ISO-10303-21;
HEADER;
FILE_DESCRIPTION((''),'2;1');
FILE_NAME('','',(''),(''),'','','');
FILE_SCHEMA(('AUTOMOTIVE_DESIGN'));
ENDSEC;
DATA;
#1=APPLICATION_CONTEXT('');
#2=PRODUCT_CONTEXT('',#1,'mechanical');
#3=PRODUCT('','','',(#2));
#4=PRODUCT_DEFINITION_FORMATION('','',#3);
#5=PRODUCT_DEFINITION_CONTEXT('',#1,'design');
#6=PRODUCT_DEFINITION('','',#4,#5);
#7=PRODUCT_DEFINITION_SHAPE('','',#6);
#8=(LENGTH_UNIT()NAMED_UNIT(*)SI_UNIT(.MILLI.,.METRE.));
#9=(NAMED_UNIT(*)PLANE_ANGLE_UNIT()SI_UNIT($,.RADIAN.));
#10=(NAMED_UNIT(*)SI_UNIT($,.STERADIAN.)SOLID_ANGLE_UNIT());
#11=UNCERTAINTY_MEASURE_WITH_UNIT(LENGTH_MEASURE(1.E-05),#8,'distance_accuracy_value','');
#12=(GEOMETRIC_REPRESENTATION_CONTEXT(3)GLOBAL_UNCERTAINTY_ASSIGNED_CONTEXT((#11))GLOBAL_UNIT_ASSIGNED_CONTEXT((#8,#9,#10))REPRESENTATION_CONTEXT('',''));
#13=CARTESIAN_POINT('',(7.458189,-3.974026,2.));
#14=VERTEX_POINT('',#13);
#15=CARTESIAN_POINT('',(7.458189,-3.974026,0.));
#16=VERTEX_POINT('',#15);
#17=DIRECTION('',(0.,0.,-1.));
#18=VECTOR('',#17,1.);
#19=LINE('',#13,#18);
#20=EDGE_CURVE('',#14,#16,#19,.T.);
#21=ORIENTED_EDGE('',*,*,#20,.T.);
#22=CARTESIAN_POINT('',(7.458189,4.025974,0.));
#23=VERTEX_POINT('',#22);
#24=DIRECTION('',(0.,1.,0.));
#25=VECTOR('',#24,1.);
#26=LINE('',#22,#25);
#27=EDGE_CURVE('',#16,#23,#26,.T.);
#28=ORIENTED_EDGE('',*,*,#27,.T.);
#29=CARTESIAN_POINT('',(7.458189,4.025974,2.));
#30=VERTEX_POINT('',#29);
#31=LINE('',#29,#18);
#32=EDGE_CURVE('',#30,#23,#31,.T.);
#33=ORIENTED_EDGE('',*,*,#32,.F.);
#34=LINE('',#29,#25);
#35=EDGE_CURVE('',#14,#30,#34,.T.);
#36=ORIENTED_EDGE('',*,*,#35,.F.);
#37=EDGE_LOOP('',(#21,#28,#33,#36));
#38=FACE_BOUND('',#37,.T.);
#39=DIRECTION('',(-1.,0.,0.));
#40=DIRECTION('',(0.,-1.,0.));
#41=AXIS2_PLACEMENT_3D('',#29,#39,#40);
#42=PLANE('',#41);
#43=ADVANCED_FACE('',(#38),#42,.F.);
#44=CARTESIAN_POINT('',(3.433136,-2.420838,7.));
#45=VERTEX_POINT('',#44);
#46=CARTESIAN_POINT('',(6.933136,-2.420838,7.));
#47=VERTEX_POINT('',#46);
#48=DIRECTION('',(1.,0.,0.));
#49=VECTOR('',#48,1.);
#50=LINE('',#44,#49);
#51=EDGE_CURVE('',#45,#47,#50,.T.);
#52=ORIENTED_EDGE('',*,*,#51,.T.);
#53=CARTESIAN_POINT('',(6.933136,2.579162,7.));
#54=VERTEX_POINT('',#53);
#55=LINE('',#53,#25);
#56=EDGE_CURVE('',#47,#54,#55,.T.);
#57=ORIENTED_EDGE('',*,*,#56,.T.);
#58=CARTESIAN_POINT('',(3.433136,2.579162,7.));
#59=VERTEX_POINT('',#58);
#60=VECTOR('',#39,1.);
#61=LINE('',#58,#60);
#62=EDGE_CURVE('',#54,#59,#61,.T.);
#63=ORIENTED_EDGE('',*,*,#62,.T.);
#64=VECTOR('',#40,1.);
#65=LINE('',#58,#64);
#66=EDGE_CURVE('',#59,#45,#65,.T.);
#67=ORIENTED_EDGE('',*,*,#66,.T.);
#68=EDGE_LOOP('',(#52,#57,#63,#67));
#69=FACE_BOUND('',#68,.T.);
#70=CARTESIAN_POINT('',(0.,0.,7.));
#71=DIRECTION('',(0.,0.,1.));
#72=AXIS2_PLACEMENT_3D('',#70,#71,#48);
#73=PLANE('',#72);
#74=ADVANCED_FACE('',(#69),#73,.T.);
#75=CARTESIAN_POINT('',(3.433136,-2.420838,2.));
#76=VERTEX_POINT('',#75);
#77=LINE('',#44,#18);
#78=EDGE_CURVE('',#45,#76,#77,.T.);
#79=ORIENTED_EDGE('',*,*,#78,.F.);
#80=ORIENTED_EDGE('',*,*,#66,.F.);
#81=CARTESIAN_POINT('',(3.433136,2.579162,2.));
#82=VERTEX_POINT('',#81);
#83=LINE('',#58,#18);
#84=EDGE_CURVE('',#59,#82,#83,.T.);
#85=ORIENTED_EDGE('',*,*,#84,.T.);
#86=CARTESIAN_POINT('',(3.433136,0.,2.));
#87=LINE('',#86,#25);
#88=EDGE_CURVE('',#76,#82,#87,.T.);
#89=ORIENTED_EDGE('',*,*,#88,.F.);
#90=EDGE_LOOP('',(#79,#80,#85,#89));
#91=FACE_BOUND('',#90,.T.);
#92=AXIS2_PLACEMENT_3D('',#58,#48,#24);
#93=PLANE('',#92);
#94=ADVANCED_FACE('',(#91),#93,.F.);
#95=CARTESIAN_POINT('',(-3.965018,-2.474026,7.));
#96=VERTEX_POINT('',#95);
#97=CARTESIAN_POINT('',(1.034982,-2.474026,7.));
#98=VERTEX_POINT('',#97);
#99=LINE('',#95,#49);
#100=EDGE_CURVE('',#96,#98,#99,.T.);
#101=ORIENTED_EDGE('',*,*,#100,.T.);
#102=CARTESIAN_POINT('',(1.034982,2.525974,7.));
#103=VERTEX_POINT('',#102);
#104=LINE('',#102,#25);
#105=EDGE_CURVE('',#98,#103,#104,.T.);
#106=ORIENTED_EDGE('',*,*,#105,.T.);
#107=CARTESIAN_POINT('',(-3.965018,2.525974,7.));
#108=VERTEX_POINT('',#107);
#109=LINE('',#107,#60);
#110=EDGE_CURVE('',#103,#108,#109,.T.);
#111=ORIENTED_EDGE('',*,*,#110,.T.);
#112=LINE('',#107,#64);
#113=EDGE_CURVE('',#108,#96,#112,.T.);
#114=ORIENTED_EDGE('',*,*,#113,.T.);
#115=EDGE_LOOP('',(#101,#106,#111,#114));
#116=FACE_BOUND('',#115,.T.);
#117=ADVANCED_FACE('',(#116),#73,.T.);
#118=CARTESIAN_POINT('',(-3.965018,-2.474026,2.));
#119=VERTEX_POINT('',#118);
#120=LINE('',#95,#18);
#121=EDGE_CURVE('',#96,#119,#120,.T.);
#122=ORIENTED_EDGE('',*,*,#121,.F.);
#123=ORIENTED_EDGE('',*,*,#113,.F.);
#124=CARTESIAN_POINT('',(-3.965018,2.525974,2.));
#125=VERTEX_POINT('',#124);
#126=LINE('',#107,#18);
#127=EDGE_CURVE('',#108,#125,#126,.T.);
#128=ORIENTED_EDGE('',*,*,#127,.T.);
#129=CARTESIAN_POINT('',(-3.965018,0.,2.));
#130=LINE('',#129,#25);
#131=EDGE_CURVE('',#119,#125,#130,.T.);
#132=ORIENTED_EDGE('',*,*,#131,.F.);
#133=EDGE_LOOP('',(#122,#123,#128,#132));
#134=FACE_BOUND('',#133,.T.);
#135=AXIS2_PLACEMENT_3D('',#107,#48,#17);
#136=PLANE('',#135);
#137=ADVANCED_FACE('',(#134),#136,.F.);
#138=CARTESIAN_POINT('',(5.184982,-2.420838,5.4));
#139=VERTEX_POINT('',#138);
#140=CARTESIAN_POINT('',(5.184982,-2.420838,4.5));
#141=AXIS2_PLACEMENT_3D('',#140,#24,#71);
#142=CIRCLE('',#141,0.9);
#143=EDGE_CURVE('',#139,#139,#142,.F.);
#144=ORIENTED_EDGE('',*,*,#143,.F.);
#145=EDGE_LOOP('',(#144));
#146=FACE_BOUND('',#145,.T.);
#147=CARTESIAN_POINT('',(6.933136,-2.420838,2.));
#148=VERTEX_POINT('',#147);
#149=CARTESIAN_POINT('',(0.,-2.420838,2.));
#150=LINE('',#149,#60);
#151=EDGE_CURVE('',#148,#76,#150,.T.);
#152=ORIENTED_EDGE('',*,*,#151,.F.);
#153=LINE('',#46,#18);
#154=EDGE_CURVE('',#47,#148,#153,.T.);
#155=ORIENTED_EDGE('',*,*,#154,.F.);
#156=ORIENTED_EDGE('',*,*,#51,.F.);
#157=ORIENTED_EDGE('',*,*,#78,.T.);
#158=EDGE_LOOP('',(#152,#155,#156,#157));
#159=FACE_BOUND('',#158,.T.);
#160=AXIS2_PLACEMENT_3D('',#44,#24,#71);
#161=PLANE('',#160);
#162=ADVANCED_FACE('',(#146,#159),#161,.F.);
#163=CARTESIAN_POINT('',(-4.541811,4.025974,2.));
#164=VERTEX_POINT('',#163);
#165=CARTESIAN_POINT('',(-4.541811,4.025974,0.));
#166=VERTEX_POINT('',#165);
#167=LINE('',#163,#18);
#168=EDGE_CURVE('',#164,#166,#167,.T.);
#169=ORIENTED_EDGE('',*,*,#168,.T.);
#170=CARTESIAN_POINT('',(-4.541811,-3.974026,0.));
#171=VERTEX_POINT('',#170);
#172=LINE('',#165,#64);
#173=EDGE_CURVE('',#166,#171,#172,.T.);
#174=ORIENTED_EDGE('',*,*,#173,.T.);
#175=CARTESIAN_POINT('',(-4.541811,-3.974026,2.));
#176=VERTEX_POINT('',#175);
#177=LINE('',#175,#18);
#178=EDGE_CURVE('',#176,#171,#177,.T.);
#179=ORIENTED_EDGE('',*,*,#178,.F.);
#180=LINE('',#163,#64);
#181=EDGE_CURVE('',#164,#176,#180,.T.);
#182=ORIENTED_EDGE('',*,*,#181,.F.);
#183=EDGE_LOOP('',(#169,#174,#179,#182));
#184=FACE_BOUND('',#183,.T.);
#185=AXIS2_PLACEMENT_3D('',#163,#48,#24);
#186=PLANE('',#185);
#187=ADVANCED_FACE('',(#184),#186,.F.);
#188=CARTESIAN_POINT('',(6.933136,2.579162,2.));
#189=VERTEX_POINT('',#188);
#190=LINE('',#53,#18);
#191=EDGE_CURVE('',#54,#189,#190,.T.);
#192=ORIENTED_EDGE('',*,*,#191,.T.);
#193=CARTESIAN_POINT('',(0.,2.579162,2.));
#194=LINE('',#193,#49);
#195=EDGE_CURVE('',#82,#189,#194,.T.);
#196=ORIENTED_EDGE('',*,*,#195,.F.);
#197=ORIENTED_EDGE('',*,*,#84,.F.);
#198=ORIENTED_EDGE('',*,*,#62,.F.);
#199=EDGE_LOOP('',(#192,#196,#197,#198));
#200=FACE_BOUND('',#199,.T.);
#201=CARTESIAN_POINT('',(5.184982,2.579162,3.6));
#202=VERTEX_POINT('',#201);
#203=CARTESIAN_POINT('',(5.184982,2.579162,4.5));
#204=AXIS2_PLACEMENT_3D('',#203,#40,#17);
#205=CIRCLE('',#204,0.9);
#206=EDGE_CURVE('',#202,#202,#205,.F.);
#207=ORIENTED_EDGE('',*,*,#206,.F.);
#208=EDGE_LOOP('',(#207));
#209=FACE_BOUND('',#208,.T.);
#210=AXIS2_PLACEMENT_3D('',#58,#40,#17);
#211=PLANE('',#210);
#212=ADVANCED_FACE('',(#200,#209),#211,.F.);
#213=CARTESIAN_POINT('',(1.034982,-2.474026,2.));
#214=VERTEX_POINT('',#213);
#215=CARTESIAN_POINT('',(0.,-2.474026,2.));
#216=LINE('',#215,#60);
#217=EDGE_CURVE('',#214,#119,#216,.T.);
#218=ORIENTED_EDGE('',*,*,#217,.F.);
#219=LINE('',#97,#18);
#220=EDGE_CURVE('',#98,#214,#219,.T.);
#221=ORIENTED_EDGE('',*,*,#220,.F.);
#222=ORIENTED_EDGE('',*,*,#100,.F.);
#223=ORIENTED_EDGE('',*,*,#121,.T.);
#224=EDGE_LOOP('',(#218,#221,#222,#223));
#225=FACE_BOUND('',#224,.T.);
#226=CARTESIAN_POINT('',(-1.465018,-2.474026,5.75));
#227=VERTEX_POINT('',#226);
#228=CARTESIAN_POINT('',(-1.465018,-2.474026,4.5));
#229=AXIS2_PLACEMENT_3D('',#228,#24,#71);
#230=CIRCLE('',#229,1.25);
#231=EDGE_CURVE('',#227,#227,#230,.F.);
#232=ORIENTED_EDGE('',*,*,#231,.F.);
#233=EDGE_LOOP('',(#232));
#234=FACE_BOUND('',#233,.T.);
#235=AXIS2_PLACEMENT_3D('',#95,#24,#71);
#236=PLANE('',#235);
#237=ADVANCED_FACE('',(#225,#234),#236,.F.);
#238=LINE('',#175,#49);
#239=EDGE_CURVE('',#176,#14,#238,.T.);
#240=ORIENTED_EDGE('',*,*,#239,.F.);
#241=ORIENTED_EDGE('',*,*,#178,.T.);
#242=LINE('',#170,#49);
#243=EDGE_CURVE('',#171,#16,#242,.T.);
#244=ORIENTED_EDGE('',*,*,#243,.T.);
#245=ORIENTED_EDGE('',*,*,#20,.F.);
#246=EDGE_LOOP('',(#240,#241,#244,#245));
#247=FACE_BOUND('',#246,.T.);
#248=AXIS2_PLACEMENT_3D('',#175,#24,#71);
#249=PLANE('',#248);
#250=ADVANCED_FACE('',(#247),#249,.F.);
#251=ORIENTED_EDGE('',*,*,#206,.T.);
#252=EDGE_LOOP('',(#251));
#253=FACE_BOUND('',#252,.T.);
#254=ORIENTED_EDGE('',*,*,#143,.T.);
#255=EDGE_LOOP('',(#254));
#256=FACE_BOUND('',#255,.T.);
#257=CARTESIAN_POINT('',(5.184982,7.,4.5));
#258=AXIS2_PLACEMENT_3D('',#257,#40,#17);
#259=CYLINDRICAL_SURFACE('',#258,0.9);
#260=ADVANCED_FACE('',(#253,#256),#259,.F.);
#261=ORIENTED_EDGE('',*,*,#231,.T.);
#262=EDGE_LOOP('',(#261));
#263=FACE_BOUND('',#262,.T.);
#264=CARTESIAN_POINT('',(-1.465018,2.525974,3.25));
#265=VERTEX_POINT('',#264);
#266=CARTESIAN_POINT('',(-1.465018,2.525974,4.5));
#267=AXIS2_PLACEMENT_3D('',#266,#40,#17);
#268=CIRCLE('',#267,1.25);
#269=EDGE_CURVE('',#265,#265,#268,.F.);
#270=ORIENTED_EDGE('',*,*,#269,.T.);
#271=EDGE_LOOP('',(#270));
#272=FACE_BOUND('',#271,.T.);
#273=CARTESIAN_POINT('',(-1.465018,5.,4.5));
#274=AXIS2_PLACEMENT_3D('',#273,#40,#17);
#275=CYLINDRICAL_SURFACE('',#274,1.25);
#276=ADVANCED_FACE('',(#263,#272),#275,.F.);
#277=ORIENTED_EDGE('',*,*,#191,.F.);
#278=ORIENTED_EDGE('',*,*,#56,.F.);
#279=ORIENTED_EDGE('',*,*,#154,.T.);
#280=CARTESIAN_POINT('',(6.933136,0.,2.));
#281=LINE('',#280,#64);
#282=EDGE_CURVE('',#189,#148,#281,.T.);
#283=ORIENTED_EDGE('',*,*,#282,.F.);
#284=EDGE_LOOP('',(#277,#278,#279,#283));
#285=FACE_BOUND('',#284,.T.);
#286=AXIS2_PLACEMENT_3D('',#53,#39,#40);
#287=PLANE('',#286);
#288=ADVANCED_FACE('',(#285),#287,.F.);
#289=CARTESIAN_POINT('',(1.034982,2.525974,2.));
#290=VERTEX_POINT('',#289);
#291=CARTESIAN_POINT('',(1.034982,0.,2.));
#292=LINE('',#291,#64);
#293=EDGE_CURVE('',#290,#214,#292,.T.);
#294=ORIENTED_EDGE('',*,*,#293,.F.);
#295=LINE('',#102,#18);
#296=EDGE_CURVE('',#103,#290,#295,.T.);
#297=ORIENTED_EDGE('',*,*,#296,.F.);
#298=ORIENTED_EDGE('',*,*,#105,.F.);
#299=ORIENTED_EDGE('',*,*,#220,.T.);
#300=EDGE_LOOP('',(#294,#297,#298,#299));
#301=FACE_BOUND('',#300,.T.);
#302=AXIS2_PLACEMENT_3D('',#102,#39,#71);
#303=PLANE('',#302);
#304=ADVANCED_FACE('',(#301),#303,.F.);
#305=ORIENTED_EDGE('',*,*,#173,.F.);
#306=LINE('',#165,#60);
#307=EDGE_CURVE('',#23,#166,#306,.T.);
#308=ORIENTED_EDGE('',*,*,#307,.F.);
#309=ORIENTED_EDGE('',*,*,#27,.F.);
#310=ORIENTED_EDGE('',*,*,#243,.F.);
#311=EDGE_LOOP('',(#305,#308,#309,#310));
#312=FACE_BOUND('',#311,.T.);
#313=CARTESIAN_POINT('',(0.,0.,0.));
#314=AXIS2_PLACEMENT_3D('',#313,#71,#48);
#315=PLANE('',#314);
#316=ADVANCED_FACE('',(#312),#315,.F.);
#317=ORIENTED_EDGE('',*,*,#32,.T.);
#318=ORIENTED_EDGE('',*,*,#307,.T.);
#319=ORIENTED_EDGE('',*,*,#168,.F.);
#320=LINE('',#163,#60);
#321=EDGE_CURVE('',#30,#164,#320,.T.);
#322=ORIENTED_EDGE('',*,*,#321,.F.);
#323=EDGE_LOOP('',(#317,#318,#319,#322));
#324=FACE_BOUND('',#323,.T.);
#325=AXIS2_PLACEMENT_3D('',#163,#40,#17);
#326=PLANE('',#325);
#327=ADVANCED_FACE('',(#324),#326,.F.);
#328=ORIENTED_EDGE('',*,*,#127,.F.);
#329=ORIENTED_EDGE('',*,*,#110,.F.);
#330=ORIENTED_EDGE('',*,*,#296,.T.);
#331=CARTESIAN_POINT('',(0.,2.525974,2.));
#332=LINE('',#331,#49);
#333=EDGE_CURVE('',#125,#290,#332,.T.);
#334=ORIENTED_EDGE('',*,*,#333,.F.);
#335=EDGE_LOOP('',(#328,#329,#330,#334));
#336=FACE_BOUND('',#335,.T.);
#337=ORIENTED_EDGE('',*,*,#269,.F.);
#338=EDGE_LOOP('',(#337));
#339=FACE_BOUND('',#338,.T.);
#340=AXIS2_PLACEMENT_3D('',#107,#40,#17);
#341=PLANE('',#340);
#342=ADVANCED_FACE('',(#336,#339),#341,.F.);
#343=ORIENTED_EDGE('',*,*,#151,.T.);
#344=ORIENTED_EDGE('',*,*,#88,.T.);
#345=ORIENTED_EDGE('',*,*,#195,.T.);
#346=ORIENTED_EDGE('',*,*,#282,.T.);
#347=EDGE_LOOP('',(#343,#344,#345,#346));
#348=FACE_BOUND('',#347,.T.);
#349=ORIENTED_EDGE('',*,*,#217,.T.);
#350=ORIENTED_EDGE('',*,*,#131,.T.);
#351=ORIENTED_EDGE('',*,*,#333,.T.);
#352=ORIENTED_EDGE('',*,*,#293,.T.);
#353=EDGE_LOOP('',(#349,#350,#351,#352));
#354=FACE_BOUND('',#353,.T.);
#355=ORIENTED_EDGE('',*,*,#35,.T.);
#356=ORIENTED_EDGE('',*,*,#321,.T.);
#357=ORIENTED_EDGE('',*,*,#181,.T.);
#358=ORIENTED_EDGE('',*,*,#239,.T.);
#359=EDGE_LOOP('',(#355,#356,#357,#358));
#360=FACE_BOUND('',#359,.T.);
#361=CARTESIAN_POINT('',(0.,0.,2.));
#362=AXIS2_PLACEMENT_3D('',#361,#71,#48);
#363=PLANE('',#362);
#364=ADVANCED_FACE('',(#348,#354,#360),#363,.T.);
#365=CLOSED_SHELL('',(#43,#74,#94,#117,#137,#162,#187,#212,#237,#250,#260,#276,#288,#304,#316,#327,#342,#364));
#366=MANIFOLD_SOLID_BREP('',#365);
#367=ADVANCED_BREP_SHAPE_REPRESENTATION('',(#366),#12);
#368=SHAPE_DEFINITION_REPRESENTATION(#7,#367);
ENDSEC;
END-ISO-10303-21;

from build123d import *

# Parameters (mm, degrees)
SKETCH_1_W               = 12
SKETCH_1_H               = 8
EXTRUDE_1_DEPTH          = 2
SKETCH_3_W               = 5
SKETCH_3_H               = 5
EXTRUDE_2_DEPTH          = 7
SKETCH_5_R               = 1.25
CUT_EXTRUDE_2_DEPTH      = 5
CUT_EXTRUDE_2_DEPTH_BACK = 5
SKETCH_6_W               = 3.5
SKETCH_6_H               = 5
EXTRUDE_3_DEPTH          = 7
SKETCH_8_R               = 0.9
CUT_EXTRUDE_3_DEPTH      = 7
CUT_EXTRUDE_3_DEPTH_BACK = 7


with BuildPart() as part:
    # 草圖1 → 填料-伸長1 (new body)
    with BuildSketch(Plane.XY):
        with Locations((1.458189105, 0.025974026)):
            Rectangle(SKETCH_1_W, SKETCH_1_H)
    extrude(amount=EXTRUDE_1_DEPTH)

    # 草圖3 → 填料-伸長2 (add)
    with BuildSketch(Plane.XY):
        with Locations((-1.465017587, 0.025974026)):
            Rectangle(SKETCH_3_W, SKETCH_3_H)
    extrude(amount=EXTRUDE_2_DEPTH)

    # 草圖5 → 除料-伸長2 (cut, two sides)
    with BuildSketch(Plane(origin=(0, 0, 0), x_dir=(1, 0, 0), z_dir=(0, 1, 0))) as cut_extrude_2_sk:
        with Locations((-1.465017587, -4.5)):
            Circle(SKETCH_5_R)
    extrude(amount=CUT_EXTRUDE_2_DEPTH, mode=Mode.SUBTRACT)
    extrude(cut_extrude_2_sk.sketch, amount=-CUT_EXTRUDE_2_DEPTH_BACK, mode=Mode.SUBTRACT)

    # 草圖6 → 填料-伸長3 (add)
    with BuildSketch(Plane.XY):
        with Locations((5.183136142, 0.079162411)):
            Rectangle(SKETCH_6_W, SKETCH_6_H)
    extrude(amount=EXTRUDE_3_DEPTH)

    # 草圖8 → 除料-伸長3 (cut, two sides)
    with BuildSketch(Plane(origin=(0, 0, 0), x_dir=(1, 0, 0), z_dir=(0, 1, 0))) as cut_extrude_3_sk:
        with Locations((5.184982413, -4.5)):
            Circle(SKETCH_8_R)
    extrude(amount=CUT_EXTRUDE_3_DEPTH, mode=Mode.SUBTRACT)
    extrude(cut_extrude_3_sk.sketch, amount=-CUT_EXTRUDE_3_DEPTH_BACK, mode=Mode.SUBTRACT)


solid = part.part
